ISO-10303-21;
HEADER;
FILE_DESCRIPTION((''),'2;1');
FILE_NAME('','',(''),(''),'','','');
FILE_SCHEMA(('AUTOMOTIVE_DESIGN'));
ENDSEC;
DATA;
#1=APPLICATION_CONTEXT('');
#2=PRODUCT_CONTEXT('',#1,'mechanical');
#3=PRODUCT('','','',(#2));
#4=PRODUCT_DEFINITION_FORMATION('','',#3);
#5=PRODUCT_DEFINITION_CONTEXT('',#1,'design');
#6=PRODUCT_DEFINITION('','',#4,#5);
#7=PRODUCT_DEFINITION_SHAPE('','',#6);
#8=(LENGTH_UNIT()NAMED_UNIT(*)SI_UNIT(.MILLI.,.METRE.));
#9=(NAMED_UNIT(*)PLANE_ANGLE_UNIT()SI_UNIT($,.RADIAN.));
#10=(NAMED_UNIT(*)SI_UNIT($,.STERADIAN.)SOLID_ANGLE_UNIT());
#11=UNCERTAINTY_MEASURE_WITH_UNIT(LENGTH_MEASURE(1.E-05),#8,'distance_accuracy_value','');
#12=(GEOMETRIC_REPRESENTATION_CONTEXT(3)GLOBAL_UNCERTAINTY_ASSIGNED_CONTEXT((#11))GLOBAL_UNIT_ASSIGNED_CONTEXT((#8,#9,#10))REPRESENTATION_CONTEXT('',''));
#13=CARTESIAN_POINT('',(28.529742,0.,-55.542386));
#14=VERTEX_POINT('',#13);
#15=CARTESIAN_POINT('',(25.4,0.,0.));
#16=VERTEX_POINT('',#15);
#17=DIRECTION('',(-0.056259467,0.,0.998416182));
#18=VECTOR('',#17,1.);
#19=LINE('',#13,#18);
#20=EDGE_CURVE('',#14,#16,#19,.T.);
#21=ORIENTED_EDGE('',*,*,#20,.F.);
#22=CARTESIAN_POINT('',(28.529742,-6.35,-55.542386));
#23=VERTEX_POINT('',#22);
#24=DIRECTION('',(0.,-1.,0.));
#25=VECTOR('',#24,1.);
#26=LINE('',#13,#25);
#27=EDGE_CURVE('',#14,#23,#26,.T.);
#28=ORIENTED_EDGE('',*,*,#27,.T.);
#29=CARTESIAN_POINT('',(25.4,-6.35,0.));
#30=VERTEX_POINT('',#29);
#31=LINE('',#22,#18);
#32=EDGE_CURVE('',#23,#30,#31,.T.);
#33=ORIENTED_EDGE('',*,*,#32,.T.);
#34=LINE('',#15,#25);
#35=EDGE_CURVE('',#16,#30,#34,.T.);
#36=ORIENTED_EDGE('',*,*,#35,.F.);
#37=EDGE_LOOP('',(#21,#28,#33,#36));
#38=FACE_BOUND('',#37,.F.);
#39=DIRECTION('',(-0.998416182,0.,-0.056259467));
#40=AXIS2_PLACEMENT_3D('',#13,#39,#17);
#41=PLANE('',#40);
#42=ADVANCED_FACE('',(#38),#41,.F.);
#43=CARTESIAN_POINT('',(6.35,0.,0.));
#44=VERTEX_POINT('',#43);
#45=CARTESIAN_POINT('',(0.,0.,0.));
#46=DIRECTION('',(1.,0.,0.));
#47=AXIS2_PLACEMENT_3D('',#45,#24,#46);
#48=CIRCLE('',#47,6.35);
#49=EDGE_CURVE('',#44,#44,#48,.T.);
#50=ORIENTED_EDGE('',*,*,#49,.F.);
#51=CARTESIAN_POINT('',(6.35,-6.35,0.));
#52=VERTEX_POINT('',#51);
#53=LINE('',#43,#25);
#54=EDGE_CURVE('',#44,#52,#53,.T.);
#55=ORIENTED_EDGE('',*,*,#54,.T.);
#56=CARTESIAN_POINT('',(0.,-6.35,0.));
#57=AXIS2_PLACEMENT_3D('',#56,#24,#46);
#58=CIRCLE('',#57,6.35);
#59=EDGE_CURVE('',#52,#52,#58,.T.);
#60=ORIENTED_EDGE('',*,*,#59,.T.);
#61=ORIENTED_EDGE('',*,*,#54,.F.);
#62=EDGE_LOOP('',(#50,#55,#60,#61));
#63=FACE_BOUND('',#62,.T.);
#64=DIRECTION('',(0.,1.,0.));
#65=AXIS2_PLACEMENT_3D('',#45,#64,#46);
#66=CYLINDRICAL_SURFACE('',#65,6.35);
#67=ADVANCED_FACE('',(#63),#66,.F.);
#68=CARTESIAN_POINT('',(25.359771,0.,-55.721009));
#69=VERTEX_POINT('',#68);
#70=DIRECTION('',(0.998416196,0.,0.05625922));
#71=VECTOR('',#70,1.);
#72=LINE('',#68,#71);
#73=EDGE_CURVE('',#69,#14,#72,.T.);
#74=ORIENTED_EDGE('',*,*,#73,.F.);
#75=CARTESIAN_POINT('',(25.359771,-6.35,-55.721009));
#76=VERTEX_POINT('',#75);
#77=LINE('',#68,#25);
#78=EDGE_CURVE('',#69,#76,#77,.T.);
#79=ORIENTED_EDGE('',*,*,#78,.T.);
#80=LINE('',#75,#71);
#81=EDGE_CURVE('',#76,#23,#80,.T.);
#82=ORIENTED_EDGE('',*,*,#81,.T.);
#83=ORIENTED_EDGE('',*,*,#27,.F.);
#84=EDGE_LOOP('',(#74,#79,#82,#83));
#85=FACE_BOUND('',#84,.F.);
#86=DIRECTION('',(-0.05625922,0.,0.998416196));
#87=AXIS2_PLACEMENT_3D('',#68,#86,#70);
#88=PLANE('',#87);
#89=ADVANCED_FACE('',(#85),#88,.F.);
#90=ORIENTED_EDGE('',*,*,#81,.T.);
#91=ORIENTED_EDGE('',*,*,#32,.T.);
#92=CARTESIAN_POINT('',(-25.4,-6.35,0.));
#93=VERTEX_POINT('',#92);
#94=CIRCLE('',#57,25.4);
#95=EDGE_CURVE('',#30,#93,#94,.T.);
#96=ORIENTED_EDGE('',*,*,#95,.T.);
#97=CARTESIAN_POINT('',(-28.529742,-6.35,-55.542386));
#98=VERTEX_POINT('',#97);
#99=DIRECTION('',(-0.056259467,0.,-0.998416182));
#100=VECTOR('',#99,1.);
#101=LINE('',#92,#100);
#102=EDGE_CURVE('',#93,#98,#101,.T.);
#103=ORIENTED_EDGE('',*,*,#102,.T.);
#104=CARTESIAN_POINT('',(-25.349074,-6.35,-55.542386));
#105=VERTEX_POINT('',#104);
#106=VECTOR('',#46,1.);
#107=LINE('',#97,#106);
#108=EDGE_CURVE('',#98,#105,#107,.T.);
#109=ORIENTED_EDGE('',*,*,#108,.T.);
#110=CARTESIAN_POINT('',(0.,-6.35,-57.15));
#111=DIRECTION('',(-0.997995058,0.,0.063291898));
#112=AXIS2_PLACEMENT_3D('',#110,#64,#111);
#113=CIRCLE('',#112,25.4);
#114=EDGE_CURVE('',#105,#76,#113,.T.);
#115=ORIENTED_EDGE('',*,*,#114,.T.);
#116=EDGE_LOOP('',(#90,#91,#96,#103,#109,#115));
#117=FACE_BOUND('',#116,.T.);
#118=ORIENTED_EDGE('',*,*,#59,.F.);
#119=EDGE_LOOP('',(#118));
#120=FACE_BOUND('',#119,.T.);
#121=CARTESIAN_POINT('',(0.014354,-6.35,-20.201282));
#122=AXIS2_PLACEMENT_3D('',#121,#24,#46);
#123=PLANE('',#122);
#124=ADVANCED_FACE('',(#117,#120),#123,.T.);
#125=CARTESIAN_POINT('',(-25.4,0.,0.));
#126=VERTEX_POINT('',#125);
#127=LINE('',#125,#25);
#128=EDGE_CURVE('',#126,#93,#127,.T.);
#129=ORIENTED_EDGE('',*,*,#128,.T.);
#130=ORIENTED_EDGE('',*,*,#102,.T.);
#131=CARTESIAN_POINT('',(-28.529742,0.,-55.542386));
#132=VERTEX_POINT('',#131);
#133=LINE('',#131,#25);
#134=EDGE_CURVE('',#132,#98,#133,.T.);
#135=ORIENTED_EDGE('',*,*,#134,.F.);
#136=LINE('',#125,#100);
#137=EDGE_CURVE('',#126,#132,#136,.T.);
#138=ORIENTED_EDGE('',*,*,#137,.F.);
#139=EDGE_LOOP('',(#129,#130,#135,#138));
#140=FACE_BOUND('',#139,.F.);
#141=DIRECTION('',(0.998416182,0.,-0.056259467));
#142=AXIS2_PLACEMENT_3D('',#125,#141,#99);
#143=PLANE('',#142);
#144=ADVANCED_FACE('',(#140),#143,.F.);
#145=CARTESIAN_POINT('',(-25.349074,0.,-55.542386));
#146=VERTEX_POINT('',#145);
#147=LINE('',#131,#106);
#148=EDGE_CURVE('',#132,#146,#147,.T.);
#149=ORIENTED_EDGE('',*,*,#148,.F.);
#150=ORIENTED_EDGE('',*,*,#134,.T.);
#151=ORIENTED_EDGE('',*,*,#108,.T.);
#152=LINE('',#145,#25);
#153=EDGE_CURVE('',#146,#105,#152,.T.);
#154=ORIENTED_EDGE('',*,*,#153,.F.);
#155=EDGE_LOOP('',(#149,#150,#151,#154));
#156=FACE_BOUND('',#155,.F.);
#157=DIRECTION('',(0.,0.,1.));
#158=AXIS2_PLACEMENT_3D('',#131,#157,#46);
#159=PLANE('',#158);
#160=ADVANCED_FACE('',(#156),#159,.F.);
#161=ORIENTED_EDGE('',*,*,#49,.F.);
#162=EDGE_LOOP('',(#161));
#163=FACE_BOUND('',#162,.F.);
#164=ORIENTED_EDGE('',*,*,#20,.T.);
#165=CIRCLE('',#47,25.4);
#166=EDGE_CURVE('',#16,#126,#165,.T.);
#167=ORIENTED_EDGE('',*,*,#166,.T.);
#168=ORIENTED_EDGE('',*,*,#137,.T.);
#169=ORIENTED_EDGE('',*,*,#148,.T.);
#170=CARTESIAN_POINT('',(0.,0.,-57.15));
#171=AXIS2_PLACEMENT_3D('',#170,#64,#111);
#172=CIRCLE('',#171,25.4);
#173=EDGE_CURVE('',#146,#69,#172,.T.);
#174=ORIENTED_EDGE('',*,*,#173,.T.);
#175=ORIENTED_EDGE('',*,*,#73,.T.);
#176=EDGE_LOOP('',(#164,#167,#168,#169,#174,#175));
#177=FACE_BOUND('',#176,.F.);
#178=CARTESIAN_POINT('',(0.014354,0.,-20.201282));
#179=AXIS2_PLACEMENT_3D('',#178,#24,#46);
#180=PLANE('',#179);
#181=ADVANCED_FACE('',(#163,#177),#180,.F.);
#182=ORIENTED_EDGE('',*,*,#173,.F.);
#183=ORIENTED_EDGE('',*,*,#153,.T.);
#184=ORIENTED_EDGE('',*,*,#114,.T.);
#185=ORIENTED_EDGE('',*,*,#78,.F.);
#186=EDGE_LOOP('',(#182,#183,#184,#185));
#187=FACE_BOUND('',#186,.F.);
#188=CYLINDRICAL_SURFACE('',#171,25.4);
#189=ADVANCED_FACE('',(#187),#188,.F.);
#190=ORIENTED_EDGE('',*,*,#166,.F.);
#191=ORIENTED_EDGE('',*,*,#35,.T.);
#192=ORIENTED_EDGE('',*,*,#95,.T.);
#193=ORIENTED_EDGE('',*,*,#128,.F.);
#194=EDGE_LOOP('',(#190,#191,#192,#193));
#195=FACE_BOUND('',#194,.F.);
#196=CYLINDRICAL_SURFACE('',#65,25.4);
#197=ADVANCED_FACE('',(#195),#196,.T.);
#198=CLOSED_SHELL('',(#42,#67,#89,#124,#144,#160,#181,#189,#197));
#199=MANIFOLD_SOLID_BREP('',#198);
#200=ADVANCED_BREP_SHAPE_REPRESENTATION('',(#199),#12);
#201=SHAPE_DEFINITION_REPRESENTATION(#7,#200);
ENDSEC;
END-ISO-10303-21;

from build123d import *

# Parameters (mm, degrees)
F0_R     = 6.35
F1_DEPTH = 6.35


with BuildPart() as f1:
    # F0 (on Front) → F1 (new body)
    with BuildSketch(Plane.XZ):
        with BuildLine():
            Line((28.529742, -55.542386), (25.4, 0))
            ThreePointArc((25.4, 0), (0, 25.4), (-25.4, 0))
            Line((-25.4, 0), (-28.529742, -55.542386))
            Line((-28.529742, -55.542386), (-25.349074, -55.542386))
            ThreePointArc((-25.349074, -55.542386), (0.089472, -31.750158), (25.359771, -55.721009))
            Line((25.359771, -55.721009), (28.529742, -55.542386))
        make_face()
        Circle(F0_R, mode=Mode.SUBTRACT)
    extrude(amount=F1_DEPTH)


solid = f1.part
